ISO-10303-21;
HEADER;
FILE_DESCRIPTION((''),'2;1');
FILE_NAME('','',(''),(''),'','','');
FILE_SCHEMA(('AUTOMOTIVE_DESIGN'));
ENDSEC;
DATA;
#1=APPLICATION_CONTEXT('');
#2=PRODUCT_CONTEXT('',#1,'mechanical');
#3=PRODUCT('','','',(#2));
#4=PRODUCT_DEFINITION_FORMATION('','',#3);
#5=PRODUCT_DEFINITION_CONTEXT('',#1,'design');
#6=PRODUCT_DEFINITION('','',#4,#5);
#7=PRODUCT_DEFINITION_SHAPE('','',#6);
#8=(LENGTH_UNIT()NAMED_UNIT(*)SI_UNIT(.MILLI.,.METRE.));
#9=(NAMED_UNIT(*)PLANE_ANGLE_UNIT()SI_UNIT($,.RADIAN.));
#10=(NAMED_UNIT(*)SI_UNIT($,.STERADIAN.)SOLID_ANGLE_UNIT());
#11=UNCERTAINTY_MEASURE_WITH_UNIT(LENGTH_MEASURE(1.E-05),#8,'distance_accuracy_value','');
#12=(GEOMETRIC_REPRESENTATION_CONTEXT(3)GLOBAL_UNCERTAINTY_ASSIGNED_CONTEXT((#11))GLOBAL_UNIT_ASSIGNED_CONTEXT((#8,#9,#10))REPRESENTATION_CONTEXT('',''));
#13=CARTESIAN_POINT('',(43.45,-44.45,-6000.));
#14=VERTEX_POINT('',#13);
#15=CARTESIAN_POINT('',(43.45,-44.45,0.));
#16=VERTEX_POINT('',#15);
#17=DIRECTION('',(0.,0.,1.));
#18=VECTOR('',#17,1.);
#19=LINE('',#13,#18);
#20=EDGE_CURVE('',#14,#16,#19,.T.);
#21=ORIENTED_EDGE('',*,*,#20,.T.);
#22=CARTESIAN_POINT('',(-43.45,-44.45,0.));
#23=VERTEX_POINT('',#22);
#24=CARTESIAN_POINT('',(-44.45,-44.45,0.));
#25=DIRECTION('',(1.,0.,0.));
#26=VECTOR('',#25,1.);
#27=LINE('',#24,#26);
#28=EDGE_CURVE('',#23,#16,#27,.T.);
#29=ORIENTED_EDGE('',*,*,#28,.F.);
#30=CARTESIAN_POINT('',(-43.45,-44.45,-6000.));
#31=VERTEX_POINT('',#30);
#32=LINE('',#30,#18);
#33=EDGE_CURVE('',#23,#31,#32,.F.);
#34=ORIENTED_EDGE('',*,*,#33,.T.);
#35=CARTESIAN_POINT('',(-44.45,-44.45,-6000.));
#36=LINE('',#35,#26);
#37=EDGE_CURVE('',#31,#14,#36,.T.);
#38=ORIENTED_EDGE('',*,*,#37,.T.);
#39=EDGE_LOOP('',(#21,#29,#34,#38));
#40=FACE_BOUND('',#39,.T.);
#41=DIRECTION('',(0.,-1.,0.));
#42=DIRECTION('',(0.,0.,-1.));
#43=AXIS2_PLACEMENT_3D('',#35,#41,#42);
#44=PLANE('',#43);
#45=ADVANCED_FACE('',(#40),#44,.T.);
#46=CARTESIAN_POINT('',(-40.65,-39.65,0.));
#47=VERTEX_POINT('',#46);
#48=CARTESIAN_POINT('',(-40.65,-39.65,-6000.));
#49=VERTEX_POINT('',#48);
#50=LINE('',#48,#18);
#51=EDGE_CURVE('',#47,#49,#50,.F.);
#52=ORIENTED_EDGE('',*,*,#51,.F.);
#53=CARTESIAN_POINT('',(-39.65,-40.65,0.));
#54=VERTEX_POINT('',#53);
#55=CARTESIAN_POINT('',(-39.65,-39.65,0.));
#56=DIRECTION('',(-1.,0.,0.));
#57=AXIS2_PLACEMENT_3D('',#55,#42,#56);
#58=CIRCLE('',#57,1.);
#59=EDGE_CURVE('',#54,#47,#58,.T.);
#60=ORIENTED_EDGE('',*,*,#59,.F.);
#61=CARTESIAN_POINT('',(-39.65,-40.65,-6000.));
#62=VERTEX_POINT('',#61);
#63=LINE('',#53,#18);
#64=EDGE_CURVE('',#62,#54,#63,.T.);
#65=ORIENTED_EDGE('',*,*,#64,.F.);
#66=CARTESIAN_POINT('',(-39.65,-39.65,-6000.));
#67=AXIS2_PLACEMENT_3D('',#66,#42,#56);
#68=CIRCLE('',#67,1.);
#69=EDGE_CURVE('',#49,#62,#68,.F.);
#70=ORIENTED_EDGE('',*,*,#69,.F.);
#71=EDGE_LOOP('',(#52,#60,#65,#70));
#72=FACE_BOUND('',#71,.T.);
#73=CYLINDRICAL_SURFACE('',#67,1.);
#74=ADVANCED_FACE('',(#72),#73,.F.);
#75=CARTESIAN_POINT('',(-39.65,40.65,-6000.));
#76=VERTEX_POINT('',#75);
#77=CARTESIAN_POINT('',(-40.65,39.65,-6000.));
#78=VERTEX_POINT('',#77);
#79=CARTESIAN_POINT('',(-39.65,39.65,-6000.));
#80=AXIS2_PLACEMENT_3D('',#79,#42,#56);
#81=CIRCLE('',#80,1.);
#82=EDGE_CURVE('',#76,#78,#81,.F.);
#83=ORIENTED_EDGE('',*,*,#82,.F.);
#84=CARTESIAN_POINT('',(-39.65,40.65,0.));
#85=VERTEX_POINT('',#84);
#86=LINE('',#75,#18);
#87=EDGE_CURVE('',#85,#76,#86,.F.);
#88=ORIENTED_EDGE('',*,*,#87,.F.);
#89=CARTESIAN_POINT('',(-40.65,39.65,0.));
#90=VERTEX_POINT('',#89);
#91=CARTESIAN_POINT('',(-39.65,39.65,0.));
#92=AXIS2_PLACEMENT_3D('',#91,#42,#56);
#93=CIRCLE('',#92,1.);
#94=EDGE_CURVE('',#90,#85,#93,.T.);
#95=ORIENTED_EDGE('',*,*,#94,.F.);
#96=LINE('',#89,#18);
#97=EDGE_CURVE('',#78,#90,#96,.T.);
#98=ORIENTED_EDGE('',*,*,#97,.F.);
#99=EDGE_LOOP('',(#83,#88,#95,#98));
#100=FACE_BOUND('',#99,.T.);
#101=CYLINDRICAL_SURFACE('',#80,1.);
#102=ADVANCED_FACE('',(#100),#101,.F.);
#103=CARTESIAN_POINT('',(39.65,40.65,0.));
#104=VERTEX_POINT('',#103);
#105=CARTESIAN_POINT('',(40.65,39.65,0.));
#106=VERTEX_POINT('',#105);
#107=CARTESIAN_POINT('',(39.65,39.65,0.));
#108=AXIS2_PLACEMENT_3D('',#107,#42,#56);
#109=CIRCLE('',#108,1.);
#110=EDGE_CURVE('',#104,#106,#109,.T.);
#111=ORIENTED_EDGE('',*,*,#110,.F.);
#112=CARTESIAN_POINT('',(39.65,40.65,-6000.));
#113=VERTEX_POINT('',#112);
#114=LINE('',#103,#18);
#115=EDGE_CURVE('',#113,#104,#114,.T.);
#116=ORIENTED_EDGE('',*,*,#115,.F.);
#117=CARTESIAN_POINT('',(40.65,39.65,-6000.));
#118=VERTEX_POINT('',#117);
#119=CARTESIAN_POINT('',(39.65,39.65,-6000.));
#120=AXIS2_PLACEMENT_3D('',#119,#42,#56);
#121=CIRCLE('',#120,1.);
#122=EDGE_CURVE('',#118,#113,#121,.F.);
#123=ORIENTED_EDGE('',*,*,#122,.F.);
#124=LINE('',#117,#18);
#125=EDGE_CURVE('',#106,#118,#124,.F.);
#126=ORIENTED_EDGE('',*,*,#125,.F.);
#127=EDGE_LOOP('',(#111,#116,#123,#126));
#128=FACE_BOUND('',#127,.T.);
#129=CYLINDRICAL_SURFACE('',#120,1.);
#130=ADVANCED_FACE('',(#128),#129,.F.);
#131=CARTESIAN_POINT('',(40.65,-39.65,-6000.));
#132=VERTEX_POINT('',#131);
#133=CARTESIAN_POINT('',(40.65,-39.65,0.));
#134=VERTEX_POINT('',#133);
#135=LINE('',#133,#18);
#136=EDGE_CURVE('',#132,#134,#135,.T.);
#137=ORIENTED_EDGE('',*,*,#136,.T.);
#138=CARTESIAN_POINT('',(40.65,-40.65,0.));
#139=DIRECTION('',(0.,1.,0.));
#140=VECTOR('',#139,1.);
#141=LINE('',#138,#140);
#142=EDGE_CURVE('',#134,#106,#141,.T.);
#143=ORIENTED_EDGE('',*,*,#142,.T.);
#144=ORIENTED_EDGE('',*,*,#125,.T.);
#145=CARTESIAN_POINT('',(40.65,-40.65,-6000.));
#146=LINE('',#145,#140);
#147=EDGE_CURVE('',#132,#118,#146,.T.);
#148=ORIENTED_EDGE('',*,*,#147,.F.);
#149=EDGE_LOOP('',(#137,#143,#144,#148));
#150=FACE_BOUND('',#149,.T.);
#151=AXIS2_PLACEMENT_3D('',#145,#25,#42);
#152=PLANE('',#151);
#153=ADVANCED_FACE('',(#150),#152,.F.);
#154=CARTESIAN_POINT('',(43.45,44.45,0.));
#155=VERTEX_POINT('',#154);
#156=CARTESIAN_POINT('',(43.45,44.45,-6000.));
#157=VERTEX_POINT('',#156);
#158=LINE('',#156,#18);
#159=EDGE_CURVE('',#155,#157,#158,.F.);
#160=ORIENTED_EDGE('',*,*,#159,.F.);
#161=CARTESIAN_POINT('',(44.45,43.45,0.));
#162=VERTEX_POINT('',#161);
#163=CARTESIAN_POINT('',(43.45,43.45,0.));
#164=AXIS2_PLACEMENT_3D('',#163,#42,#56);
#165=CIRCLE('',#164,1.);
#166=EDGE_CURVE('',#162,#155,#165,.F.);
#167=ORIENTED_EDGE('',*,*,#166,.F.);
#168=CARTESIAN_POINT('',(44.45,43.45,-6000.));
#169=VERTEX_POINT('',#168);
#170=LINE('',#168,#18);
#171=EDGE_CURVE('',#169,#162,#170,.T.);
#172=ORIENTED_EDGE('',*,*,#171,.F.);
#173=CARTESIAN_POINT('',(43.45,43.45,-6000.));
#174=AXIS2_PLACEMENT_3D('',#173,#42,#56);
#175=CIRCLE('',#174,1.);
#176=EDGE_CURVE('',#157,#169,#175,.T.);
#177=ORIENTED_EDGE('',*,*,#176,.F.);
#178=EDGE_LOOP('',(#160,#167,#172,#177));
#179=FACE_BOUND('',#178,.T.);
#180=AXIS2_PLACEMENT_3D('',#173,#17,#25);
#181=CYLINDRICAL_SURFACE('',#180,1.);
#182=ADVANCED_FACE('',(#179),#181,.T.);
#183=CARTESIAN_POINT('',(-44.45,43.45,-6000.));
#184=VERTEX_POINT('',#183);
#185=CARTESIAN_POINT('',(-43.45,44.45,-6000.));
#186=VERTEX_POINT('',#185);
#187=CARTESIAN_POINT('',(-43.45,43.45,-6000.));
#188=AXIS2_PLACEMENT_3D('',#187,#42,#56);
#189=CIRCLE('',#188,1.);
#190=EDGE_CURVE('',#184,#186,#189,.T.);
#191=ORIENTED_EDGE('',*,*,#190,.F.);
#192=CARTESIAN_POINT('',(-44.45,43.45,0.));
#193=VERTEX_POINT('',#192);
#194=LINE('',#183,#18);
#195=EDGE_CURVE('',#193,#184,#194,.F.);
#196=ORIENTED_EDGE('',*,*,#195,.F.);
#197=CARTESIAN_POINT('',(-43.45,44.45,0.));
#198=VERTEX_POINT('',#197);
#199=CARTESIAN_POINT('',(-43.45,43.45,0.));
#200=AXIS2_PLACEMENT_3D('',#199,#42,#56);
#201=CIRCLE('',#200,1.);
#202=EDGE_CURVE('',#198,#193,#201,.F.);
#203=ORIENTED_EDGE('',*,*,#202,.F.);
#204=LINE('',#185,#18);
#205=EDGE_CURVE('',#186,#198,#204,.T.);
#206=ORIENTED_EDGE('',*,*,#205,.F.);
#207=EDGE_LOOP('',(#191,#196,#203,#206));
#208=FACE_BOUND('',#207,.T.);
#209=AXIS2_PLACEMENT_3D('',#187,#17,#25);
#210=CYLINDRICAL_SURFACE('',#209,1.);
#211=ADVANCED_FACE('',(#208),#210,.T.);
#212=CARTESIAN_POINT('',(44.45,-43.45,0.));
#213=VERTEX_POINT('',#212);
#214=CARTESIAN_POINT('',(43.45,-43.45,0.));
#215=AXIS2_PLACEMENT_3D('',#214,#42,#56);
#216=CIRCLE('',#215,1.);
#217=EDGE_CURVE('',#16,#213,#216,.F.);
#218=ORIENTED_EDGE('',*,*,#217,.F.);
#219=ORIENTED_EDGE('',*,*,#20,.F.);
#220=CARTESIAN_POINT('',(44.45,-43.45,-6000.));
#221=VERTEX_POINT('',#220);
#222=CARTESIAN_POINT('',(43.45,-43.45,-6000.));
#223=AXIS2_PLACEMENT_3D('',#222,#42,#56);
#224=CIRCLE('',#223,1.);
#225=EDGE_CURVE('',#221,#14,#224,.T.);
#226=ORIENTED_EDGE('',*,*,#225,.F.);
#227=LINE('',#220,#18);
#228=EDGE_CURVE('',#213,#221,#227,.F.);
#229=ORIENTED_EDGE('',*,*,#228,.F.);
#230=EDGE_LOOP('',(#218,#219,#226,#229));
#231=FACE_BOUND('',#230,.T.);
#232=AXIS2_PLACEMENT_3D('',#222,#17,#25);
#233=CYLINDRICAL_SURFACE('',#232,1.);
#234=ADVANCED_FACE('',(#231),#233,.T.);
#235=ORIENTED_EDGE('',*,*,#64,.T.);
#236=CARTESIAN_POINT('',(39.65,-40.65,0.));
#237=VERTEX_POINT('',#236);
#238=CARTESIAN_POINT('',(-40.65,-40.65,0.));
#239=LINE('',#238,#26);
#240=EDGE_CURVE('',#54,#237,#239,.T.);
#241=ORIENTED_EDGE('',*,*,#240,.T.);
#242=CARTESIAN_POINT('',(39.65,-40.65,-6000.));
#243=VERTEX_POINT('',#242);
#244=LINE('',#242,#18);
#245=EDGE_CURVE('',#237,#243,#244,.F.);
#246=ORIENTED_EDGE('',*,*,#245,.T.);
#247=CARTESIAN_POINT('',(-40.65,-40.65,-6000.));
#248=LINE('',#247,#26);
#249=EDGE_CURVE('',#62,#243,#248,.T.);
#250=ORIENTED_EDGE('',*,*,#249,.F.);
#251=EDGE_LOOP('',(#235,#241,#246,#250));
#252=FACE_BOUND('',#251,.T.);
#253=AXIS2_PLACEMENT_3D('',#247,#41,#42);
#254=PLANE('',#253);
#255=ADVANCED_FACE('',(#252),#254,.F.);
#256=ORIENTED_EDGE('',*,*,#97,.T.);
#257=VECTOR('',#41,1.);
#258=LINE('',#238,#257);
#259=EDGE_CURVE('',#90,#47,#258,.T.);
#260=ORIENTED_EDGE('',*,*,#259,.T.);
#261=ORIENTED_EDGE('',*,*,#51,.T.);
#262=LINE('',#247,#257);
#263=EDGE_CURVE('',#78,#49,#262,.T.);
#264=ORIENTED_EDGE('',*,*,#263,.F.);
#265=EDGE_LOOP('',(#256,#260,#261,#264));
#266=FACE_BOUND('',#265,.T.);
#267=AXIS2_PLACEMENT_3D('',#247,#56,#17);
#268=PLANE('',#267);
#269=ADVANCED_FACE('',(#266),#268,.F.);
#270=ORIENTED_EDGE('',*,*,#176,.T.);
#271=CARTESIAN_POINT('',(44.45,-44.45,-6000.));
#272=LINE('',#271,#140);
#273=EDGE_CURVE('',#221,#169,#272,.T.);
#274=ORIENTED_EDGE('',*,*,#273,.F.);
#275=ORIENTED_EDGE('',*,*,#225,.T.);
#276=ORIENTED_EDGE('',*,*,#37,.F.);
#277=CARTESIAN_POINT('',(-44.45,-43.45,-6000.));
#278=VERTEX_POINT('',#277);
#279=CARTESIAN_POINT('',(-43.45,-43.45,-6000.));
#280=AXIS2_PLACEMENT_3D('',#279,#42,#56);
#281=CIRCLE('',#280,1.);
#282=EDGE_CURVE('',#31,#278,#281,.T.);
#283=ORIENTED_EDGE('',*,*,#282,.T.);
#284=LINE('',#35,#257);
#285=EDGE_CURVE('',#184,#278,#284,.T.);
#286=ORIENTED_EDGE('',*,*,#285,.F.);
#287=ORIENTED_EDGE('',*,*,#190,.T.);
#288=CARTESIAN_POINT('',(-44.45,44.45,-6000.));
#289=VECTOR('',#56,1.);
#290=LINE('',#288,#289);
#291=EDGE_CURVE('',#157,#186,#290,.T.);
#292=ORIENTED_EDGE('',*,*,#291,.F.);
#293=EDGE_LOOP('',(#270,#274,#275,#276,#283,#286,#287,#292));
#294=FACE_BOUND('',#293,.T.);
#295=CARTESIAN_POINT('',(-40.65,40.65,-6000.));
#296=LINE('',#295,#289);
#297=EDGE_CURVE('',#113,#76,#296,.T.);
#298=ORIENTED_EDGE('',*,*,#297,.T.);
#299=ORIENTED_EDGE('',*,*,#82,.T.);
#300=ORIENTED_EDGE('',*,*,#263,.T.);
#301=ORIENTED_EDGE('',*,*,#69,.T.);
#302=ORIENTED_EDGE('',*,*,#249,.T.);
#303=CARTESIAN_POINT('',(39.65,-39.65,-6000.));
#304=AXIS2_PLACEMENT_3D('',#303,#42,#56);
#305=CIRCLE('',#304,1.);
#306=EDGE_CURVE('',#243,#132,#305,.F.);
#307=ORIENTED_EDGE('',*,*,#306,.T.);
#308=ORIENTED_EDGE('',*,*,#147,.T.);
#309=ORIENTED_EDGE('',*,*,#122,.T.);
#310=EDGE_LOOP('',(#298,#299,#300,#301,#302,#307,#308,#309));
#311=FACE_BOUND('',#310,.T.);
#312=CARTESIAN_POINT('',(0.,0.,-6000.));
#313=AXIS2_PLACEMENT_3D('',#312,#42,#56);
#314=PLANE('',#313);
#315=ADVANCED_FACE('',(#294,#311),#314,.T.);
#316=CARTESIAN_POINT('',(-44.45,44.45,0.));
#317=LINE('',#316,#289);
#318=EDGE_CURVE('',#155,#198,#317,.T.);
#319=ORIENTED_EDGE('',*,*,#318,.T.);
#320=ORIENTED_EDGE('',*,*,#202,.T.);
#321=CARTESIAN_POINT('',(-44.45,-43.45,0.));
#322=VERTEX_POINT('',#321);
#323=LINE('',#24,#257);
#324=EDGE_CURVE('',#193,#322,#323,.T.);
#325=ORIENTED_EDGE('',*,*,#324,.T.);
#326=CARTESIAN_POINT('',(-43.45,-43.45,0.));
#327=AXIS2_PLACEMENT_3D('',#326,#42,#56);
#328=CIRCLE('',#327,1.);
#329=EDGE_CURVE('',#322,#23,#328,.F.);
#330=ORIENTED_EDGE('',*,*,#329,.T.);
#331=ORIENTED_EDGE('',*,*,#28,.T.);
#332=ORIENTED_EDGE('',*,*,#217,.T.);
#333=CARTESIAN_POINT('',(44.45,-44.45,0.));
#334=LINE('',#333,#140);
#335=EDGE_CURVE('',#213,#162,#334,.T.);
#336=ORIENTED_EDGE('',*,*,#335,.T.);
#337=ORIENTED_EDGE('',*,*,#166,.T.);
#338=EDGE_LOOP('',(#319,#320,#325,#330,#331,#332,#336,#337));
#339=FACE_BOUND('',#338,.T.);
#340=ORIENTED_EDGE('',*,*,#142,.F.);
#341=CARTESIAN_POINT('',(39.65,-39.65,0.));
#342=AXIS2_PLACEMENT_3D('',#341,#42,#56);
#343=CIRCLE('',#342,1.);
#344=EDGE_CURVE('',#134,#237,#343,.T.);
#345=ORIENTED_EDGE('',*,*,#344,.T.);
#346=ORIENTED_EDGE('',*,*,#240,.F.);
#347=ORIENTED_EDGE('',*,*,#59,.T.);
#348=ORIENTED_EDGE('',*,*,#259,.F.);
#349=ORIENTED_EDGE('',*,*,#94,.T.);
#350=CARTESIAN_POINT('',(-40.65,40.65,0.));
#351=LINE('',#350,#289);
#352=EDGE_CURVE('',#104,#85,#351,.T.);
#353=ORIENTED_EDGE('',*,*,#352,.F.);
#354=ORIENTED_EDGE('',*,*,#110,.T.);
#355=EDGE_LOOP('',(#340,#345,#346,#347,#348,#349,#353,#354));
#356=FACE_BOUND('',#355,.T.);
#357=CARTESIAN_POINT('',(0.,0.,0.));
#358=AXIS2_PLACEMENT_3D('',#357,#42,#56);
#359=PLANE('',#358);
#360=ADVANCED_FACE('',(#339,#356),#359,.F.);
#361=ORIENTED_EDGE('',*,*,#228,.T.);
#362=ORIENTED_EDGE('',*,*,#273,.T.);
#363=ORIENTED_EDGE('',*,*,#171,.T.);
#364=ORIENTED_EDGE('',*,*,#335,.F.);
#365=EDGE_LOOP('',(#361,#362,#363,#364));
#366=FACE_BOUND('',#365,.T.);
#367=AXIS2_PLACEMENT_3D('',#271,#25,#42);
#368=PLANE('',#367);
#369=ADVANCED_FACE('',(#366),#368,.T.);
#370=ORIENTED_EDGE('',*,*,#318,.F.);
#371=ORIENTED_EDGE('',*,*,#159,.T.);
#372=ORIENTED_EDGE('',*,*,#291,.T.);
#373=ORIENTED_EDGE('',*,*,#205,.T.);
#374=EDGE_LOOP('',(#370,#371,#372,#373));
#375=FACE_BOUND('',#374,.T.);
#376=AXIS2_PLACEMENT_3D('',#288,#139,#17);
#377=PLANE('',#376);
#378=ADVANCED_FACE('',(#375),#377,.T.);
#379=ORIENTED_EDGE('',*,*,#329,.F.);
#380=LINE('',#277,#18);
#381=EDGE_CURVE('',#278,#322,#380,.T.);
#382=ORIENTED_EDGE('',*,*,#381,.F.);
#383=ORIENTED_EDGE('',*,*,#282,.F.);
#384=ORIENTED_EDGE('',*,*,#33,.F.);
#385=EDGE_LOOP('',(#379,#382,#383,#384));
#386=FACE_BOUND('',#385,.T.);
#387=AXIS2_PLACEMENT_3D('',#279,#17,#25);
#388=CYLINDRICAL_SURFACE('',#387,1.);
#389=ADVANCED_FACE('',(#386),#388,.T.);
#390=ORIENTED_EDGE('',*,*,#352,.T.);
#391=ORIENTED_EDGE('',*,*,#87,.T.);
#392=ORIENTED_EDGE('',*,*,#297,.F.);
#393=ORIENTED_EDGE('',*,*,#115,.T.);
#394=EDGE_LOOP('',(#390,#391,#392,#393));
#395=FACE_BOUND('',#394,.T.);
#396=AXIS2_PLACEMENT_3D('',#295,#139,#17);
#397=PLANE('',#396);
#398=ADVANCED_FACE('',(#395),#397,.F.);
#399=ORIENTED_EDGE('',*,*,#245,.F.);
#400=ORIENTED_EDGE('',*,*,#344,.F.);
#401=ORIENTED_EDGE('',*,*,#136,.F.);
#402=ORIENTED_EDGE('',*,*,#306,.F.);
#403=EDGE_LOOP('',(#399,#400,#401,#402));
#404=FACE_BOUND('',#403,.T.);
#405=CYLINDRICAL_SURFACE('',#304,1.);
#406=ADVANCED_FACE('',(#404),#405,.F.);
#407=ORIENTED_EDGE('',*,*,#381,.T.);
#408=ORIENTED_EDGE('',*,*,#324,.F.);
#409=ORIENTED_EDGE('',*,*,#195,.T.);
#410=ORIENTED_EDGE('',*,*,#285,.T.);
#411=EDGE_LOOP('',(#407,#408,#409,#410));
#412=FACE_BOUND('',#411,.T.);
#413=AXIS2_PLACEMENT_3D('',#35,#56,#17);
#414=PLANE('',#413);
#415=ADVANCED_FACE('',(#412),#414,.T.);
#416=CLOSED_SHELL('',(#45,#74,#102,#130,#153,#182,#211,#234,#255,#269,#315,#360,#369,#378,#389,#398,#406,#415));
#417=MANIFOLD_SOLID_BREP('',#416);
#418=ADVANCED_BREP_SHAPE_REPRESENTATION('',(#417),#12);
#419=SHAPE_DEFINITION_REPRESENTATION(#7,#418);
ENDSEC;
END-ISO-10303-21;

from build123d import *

# Parameters (mm, degrees)
CROQUIS1_W              = 88.9
CROQUIS1_H              = 88.9
CROQUIS1_W_2            = 81.3
CROQUIS1_H_2            = 81.3
SALIENTE_EXTRUIR1_DEPTH = 6000
REDONDEO1_R             = 1


with BuildPart() as part:
    # Croquis1 → Saliente-Extruir1 (new body)
    with BuildSketch(Plane.XY):
        Rectangle(CROQUIS1_W, CROQUIS1_H)
        Rectangle(CROQUIS1_W_2, CROQUIS1_H_2, mode=Mode.SUBTRACT)
    extrude(amount=-SALIENTE_EXTRUIR1_DEPTH)

    # Redondeo1
    redondeo1_edges = [part.edges().sort_by_distance(p)[0] for p in [
        (40.65, -40.65, -3000),
        (-40.65, -40.65, -3000),
        (-40.65, 40.65, -3000),
        (40.65, 40.65, -3000),
        (44.45, -44.45, -3000),
        (-44.45, -44.45, -3000),
        (-44.45, 44.45, -3000),
        (44.45, 44.45, -3000),
    ]]
    fillet(redondeo1_edges, radius=REDONDEO1_R)


solid = part.part
